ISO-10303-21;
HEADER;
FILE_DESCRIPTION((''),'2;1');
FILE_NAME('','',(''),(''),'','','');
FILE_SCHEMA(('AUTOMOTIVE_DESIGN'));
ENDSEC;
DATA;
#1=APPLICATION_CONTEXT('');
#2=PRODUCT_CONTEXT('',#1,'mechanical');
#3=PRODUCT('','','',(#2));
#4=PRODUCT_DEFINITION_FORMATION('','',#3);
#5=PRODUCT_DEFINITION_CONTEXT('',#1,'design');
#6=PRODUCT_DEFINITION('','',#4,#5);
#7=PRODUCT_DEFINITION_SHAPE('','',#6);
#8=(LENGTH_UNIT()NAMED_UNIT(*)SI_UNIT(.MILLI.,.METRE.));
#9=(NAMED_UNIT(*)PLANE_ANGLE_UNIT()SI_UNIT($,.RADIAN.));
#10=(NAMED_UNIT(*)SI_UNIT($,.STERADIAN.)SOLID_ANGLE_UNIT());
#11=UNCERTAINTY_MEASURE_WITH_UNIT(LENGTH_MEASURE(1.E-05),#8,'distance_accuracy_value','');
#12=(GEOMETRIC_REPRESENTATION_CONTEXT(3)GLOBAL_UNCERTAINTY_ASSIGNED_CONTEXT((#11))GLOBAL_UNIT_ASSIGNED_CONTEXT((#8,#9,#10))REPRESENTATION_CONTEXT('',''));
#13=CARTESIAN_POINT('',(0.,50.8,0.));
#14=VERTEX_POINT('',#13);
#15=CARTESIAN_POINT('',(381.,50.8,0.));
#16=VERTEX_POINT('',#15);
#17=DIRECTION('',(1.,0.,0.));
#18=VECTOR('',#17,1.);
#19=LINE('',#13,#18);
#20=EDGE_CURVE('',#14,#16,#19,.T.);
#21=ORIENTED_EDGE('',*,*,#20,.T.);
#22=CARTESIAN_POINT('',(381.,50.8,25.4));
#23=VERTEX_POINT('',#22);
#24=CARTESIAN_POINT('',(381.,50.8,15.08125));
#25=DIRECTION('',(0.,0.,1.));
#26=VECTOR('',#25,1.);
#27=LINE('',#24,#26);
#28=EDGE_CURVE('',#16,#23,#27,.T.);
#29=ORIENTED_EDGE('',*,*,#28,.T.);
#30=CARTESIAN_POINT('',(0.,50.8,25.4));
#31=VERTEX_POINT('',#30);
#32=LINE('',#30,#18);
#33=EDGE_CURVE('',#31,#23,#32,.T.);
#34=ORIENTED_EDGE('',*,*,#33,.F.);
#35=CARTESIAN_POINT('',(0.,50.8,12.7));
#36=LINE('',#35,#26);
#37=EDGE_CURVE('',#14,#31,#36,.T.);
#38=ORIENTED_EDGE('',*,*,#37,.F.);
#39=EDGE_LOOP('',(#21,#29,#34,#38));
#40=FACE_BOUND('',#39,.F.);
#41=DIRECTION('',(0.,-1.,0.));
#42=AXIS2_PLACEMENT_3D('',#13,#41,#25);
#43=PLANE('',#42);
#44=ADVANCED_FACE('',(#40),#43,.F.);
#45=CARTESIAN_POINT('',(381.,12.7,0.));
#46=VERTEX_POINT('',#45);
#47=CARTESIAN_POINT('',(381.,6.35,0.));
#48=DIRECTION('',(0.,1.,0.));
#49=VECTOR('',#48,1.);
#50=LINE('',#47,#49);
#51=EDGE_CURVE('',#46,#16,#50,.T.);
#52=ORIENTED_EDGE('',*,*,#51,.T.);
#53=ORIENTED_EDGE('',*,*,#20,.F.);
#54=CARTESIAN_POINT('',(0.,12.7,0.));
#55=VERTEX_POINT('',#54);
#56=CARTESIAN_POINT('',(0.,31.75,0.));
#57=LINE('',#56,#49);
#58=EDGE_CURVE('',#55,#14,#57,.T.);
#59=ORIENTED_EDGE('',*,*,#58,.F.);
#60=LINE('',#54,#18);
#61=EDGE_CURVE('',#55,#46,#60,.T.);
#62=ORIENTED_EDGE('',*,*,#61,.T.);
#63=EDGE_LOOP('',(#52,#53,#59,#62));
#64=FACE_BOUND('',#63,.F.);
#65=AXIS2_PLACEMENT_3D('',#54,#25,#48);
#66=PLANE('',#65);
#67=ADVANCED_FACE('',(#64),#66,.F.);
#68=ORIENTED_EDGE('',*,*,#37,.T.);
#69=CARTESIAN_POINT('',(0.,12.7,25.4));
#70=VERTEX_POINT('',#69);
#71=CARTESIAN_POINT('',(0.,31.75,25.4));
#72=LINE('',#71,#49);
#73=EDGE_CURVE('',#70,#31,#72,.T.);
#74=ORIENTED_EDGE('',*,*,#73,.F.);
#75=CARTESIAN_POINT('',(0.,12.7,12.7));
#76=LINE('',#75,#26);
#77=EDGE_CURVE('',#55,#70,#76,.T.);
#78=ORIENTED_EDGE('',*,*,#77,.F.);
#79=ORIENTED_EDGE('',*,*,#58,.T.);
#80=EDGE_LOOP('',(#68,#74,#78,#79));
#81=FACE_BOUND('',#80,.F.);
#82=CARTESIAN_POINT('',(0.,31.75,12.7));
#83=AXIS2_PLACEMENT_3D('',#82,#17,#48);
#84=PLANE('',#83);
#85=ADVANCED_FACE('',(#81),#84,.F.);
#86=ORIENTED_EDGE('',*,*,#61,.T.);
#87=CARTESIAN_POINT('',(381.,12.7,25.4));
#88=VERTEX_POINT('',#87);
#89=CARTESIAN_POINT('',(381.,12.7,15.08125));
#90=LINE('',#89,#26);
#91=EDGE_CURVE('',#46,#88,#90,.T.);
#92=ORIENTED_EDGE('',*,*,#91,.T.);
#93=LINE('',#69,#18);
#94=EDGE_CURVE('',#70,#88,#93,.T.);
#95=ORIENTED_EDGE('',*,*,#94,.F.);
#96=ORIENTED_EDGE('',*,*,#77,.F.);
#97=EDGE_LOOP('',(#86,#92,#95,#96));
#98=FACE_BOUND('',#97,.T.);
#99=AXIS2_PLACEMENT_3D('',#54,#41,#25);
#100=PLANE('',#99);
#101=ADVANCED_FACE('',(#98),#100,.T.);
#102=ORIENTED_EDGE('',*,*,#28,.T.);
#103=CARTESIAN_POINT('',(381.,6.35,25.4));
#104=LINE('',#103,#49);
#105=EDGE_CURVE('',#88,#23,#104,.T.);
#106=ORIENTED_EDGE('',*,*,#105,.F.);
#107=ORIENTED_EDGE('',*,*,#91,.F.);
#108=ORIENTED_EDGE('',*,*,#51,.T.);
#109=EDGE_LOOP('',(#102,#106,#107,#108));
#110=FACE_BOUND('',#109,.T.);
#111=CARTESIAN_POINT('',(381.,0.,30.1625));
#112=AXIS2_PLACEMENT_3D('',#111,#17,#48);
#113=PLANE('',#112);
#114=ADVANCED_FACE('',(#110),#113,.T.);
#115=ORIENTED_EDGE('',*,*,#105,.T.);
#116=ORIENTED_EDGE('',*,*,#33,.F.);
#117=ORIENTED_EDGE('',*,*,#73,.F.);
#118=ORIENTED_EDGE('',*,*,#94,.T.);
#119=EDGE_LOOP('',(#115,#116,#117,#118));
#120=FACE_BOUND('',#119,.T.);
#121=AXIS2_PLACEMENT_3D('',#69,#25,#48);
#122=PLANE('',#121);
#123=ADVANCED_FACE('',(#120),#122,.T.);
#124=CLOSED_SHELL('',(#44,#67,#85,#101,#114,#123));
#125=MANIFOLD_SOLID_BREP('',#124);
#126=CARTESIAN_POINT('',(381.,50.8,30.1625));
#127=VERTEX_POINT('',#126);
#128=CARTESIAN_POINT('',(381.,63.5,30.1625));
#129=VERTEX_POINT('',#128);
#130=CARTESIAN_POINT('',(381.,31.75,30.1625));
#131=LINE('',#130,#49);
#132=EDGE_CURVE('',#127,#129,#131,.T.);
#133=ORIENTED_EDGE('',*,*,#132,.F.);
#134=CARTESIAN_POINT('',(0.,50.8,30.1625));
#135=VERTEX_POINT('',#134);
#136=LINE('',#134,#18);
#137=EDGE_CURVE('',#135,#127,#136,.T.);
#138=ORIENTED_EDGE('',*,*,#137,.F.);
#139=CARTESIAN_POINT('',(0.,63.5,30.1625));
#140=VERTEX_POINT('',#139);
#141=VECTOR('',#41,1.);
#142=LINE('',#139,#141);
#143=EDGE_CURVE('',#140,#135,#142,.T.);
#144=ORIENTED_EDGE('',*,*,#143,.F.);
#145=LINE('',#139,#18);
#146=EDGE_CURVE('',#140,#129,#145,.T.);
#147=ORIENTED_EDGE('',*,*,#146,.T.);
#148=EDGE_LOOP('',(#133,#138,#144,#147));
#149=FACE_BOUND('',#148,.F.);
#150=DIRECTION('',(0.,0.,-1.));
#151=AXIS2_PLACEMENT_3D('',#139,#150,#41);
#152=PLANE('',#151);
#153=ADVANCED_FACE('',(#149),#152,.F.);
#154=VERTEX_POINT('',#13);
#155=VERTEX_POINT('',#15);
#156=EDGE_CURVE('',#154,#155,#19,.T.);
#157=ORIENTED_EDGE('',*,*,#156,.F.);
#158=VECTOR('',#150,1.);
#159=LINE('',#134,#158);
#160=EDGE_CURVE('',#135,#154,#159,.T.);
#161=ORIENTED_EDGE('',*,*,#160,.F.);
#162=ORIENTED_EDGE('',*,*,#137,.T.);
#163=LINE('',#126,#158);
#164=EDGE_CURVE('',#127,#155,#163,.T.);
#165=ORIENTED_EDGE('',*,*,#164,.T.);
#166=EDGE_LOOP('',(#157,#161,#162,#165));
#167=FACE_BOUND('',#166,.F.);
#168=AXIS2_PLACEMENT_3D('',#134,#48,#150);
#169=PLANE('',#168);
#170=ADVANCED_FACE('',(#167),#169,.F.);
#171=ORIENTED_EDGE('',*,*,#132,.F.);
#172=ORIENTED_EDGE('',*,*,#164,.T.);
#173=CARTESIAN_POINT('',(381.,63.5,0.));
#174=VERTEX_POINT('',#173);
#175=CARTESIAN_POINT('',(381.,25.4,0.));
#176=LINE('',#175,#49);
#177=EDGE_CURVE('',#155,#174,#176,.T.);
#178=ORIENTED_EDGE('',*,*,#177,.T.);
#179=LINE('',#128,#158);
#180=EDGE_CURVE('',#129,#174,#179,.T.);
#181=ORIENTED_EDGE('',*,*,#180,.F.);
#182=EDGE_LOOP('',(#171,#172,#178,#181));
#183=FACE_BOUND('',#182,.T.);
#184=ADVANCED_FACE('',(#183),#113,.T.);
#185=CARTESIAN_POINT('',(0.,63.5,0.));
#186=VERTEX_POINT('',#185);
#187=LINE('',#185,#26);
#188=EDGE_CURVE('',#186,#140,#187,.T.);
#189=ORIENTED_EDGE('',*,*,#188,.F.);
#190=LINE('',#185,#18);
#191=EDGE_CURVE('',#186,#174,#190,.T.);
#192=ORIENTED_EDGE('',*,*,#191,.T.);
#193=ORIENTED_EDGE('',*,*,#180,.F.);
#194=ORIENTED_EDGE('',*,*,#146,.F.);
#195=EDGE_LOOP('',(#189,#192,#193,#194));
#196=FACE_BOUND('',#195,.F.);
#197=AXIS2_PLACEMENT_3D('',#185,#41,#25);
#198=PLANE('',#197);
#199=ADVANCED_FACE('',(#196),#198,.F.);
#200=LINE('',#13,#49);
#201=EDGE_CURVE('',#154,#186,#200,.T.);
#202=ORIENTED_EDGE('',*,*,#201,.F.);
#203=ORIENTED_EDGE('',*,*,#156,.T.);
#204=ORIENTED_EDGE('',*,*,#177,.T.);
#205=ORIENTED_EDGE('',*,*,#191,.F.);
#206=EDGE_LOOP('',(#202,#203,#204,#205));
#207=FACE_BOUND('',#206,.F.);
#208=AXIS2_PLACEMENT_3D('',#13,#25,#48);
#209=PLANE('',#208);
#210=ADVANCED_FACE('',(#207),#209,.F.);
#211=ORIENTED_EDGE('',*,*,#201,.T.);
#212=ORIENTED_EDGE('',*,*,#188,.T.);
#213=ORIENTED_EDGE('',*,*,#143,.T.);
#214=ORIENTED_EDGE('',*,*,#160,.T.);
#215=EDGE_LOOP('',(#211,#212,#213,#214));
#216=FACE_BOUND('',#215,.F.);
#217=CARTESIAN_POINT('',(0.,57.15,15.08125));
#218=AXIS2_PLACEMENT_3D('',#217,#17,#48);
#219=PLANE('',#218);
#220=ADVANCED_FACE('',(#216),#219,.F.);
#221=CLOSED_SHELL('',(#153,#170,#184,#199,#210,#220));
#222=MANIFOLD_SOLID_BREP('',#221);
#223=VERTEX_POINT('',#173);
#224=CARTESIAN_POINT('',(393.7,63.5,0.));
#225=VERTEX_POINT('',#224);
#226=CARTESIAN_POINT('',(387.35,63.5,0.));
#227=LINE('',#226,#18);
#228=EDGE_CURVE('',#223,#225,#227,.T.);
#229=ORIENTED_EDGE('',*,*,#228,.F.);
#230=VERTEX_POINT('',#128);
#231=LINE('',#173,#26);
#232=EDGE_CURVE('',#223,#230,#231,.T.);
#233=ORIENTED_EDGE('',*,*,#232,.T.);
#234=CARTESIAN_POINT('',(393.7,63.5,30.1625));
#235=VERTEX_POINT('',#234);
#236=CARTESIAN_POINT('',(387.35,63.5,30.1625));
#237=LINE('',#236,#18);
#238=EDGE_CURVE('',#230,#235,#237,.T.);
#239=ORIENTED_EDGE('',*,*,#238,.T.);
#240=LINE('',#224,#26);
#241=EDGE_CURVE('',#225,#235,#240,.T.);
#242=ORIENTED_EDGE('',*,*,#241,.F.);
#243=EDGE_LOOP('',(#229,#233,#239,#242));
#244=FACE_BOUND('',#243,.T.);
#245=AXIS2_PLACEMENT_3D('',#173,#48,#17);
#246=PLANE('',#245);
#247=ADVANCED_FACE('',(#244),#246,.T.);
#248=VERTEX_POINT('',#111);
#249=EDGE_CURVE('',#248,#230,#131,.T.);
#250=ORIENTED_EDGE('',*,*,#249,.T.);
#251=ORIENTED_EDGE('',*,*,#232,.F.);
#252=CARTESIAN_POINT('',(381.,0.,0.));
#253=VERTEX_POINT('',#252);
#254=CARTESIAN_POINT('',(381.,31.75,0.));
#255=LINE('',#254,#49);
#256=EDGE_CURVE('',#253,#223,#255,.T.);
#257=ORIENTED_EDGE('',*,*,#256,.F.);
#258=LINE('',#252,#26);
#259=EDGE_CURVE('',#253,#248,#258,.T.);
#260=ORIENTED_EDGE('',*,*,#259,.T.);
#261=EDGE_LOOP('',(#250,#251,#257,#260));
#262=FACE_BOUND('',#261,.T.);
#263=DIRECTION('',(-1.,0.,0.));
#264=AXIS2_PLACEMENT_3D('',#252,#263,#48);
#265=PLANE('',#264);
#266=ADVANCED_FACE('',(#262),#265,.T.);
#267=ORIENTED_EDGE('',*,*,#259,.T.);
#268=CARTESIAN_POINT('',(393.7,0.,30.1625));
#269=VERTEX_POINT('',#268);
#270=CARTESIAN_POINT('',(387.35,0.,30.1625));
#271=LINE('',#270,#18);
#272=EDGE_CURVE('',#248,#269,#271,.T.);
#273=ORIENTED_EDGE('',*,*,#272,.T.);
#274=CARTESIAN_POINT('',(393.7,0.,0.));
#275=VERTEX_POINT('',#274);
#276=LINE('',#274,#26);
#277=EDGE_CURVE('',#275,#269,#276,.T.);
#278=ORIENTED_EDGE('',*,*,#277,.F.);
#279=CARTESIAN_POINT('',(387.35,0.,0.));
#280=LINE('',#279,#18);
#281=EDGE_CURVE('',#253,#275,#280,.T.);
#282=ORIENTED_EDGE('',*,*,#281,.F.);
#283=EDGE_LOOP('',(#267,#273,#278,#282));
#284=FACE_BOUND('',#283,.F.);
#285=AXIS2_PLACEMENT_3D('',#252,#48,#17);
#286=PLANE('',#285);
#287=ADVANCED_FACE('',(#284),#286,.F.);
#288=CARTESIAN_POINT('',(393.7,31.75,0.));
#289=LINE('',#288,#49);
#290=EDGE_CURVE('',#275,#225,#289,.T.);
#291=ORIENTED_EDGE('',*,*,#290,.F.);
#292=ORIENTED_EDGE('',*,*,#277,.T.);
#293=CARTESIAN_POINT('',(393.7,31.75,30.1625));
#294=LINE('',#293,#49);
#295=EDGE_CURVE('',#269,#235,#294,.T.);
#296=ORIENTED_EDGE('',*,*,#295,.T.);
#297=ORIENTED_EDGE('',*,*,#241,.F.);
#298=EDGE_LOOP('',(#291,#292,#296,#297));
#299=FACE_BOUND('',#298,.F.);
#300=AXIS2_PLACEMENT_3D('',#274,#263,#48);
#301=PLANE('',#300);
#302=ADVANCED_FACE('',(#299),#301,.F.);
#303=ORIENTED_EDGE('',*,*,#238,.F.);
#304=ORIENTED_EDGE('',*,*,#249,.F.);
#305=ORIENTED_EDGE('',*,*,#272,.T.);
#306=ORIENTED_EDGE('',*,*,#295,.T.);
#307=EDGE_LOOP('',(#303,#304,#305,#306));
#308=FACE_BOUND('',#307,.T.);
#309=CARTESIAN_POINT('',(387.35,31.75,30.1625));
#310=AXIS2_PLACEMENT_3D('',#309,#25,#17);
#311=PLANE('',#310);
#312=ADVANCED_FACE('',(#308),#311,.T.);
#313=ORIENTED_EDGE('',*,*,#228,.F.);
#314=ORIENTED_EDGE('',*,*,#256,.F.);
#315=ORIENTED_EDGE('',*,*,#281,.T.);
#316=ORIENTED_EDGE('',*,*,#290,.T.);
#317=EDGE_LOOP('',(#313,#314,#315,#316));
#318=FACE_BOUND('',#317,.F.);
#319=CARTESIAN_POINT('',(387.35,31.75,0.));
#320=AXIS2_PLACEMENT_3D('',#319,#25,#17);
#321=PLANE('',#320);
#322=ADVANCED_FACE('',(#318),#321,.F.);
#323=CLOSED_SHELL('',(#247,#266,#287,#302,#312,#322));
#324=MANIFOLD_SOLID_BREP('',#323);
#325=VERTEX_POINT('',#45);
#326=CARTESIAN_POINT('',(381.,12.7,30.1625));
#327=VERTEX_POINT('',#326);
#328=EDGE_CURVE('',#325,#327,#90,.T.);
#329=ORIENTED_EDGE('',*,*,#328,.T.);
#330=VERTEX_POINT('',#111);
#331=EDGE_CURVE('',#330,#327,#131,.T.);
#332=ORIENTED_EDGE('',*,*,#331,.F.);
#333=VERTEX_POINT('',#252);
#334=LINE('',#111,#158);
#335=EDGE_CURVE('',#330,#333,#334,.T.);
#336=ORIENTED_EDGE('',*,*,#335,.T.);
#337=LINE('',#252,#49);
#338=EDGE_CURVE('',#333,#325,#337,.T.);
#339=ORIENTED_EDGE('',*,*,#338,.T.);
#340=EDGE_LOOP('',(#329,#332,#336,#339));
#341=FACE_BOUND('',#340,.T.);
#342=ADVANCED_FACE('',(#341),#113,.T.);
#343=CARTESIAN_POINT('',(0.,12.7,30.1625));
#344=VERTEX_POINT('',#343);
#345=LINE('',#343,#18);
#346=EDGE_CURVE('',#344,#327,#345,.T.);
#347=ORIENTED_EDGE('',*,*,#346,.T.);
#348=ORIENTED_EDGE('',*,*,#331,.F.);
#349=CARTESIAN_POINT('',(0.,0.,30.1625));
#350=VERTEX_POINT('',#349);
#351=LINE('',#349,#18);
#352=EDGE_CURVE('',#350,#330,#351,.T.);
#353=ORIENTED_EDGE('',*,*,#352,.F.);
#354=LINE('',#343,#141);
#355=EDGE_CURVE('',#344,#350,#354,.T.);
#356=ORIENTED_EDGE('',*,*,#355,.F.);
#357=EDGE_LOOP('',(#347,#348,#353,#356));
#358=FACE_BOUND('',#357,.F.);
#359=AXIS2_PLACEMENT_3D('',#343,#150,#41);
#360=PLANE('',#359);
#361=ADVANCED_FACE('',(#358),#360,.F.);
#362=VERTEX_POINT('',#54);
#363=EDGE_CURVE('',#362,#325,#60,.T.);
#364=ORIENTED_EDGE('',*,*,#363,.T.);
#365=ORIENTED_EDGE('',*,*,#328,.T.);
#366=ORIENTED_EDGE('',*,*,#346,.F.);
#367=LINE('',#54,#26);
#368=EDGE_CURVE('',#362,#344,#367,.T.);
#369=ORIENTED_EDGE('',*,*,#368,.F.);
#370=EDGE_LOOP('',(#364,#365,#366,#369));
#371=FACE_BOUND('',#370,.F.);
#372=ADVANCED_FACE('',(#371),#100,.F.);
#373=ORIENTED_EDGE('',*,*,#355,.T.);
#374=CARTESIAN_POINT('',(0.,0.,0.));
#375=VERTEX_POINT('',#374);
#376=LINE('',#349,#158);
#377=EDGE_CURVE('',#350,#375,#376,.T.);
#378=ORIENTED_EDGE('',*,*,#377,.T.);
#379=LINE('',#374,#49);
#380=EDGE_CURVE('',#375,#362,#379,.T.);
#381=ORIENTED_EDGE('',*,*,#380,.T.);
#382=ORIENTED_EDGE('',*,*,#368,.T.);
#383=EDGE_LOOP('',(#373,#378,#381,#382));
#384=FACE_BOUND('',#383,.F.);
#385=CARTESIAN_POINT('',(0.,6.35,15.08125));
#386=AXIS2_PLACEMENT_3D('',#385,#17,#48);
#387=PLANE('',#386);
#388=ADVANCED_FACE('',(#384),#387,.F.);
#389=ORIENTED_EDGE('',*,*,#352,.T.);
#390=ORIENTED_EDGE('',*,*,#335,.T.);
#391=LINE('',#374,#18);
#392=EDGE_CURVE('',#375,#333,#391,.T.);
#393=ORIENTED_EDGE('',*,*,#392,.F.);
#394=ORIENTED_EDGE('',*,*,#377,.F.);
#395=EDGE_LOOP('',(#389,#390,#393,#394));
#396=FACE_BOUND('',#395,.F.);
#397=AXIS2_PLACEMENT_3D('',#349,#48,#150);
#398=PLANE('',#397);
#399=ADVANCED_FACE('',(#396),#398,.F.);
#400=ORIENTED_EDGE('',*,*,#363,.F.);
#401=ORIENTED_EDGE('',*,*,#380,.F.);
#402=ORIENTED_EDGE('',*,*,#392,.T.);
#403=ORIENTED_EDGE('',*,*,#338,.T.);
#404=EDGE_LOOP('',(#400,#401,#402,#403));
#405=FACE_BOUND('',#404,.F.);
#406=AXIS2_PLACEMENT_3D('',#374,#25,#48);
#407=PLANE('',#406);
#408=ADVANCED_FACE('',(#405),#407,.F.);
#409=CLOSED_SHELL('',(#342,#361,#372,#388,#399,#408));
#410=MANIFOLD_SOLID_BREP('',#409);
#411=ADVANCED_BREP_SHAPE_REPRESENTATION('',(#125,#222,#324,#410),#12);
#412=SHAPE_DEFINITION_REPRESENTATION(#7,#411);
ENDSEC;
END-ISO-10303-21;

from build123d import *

# Parameters (mm, degrees)
F1_DEPTH = 406.4
F0_W     = 38.1
F0_H     = 25.4
F2_DEPTH = 406.4
F3_W     = 25.4
F3_H     = 63.5
F4_DEPTH = 30.1635
F5_W     = 12.7
F5_H     = 63.5
F6_DEPTH = 30.1625


with BuildPart() as f1:
    # F0 (on Right) → F1 (new body)
    with BuildSketch(Plane.YZ):
        Polygon((0, 30.1625), (0, 0), (12.7, 0), (12.7, 25.4), (12.7, 30.1625), align=None)
        Polygon((50.8, 25.4), (50.8, 0), (63.5, 0), (63.5, 30.1625), (50.8, 30.1625), align=None)
    extrude(amount=F1_DEPTH)


with BuildPart() as f2:
    # F0 (on Right) → F2 (new body, through all)
    with BuildSketch(Plane.YZ):
        with Locations((31.75, 12.7)):
            Rectangle(F0_W, F0_H)
    extrude(amount=F2_DEPTH)


with BuildPart() as f4_tool:
    # F3 (on face) → F4 (new body, through all)
    with BuildSketch(Plane.XY.offset(30.1625)):
        with Locations((393.7, 31.75)):
            Rectangle(F3_W, F3_H)
    extrude(amount=-F4_DEPTH)


with BuildPart() as f1_1:
    add(f1.part)

    # F4: cut by f4_tool
    add(f4_tool.part, mode=Mode.SUBTRACT)


with BuildPart() as f2_1:
    add(f2.part)

    # F4: cut by f4_tool
    add(f4_tool.part, mode=Mode.SUBTRACT)


with BuildPart() as f6:
    # F5 (on Top) → F6 (new body, through all)
    with BuildSketch(Plane.XY):
        with Locations((387.35, 31.75)):
            Rectangle(F5_W, F5_H)
    extrude(amount=F6_DEPTH)


solid = Compound([f1_1.part, f2_1.part, f6.part])
